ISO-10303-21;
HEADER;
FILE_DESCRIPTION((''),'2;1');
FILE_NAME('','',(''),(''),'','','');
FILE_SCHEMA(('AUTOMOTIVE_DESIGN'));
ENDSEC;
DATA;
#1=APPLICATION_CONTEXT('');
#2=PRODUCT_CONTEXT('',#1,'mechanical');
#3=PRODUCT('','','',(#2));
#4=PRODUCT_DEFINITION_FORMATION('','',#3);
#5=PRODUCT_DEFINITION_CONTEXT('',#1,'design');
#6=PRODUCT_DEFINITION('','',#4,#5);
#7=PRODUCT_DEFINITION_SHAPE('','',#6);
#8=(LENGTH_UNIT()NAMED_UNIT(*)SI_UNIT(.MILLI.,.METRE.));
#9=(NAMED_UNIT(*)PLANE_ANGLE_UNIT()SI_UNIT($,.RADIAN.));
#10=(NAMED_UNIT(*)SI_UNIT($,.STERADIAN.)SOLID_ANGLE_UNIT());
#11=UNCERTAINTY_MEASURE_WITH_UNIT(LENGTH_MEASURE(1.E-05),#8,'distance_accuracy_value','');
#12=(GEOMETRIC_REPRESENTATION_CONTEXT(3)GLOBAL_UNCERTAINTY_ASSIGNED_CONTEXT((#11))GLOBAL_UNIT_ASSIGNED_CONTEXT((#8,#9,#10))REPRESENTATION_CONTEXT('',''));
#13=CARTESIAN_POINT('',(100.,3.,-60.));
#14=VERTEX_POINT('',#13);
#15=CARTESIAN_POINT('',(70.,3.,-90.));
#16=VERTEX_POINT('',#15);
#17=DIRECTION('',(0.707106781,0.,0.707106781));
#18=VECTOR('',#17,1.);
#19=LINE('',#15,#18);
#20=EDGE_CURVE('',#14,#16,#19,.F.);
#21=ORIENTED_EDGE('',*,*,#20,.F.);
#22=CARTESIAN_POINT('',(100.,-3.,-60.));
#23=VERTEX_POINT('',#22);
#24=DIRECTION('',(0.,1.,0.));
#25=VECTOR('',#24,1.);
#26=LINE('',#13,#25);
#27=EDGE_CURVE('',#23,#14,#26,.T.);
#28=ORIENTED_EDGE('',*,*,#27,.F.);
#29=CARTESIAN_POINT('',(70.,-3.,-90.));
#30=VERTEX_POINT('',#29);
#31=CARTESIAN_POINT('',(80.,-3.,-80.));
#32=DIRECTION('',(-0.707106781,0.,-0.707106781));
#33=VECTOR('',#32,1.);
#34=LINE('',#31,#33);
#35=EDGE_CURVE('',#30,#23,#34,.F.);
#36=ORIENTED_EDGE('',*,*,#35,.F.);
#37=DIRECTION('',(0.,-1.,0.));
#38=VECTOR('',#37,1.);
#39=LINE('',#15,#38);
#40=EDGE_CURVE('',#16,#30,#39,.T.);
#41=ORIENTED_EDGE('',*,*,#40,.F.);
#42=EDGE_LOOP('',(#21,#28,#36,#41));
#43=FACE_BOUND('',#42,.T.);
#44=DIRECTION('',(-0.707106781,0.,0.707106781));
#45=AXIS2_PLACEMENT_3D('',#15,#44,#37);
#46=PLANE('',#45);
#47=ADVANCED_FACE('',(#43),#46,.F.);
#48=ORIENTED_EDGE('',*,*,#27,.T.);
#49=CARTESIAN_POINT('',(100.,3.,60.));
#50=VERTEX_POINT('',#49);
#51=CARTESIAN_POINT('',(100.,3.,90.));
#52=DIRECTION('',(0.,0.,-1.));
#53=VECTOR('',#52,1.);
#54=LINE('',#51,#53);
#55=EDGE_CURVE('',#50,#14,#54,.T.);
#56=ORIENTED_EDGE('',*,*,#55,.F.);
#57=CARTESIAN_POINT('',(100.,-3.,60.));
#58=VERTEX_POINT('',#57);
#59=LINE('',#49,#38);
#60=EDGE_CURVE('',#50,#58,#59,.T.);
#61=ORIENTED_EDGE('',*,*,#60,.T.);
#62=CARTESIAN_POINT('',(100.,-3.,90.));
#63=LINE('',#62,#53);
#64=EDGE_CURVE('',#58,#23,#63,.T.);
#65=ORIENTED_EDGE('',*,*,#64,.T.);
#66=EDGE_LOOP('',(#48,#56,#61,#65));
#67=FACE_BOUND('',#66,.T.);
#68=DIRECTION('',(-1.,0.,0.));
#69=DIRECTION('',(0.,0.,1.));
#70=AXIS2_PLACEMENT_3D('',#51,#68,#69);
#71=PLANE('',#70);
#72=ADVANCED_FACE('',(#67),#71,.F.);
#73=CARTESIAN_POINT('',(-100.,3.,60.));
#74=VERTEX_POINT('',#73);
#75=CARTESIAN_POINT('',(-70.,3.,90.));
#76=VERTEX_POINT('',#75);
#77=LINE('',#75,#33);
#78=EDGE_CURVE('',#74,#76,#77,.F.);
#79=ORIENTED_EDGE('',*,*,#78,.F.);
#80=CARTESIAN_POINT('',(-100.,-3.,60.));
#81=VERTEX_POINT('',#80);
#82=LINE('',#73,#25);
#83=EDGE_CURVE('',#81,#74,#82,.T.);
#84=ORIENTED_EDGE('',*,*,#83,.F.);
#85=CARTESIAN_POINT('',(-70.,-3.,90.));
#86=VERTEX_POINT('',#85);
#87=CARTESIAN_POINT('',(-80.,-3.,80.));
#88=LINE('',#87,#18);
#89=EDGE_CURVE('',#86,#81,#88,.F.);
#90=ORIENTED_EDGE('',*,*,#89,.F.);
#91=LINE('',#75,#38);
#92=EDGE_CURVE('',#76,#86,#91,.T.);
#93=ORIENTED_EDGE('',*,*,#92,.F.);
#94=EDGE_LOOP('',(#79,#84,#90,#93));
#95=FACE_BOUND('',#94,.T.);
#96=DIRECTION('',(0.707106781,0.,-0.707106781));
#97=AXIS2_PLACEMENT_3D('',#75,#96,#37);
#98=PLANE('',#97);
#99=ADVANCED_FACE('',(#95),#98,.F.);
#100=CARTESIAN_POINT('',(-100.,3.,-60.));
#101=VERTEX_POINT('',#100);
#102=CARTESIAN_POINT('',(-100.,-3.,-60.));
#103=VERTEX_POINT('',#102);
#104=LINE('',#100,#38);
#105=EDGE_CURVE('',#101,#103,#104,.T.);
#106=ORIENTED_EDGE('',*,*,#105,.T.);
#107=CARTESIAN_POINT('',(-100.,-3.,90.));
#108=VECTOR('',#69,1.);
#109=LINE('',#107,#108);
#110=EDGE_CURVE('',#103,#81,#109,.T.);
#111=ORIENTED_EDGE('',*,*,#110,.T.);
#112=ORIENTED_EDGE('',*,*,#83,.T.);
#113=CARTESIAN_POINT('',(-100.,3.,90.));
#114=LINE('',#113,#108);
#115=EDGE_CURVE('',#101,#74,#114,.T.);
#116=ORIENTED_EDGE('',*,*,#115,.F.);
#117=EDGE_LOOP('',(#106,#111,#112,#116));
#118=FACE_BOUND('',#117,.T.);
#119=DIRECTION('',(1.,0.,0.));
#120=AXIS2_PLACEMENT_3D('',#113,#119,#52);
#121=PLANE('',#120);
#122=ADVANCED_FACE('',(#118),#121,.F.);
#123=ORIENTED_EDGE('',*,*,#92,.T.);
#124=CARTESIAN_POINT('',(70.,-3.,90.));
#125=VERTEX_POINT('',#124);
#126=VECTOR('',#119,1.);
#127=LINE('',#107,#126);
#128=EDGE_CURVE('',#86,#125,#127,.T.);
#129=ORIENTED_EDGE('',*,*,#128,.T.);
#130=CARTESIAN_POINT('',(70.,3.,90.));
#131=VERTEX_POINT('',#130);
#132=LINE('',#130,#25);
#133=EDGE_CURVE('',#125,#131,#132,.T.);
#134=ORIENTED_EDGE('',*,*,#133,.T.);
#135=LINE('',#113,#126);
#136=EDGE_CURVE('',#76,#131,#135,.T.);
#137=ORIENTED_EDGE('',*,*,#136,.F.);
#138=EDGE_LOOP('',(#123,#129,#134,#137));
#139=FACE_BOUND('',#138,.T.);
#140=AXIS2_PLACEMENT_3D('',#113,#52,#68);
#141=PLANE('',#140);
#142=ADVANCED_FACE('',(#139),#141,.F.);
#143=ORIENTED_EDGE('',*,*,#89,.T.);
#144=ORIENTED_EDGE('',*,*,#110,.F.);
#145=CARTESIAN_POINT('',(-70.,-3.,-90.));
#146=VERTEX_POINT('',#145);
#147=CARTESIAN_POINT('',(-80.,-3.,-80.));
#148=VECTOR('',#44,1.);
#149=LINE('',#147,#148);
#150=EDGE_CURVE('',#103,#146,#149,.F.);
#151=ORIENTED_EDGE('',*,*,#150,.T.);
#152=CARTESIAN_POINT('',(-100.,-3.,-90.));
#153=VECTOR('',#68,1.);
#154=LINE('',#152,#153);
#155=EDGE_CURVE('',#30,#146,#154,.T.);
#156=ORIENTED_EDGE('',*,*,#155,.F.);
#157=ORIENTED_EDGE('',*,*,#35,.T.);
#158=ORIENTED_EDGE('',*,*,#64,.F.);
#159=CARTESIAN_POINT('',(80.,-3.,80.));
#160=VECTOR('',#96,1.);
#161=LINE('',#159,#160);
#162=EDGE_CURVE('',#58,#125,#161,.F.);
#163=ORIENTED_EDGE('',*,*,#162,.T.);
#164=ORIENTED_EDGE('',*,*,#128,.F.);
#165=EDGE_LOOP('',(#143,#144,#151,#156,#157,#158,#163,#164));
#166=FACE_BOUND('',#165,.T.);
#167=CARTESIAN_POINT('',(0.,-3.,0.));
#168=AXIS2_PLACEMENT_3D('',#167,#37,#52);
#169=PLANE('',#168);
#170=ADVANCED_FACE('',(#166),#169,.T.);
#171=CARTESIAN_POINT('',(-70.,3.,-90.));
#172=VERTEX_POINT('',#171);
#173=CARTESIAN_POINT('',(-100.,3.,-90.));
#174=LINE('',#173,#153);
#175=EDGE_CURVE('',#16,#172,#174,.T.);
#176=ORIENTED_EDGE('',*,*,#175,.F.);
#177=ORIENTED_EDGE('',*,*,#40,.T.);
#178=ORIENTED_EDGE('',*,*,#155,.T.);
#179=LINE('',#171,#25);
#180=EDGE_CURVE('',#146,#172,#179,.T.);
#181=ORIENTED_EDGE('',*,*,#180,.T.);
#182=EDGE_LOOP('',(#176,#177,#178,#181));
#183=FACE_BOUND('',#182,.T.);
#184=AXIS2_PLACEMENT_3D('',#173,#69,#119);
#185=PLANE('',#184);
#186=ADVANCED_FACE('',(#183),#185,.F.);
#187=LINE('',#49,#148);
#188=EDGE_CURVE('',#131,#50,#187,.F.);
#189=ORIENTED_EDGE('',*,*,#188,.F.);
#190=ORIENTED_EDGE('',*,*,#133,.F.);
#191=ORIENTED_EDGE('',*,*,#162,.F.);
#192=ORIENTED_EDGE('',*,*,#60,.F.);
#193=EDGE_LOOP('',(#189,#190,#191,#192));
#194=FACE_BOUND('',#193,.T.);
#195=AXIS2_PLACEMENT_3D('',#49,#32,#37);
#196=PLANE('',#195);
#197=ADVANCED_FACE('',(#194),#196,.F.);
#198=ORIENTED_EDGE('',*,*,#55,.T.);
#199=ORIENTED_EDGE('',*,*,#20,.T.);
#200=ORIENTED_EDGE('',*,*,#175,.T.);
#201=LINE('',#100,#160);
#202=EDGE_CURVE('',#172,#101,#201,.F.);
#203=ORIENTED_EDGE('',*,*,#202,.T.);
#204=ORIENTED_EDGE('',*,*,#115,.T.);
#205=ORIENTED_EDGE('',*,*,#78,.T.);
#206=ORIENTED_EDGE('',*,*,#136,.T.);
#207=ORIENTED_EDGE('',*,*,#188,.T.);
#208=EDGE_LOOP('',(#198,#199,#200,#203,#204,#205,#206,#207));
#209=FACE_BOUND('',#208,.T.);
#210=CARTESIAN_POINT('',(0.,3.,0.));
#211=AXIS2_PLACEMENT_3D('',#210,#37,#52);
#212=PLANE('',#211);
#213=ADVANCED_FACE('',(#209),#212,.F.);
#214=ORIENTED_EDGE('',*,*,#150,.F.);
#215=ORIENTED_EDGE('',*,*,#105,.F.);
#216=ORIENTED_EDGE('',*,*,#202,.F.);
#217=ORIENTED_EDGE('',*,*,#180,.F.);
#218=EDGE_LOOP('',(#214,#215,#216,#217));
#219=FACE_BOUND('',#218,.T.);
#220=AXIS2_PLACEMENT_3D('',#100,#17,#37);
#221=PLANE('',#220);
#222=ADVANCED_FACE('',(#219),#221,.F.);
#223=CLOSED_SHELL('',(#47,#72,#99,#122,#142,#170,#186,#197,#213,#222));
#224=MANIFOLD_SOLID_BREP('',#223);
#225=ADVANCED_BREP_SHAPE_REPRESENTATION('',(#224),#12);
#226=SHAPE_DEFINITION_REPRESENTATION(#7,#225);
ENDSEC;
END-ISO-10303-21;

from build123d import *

# Parameters (mm, degrees)
ESBO_O1_W                = 200
ESBO_O1_H                = 180
RESSALTO_EXTRUS_O1_DEPTH = 3
CHANFRO1_SIZE            = 30


with BuildPart() as part:
    # Esboço1 → Ressalto-extrusão1 (new, symmetric)
    with BuildSketch(Plane(origin=(0, 0, 0), x_dir=(1, 0, 0), z_dir=(0, 1, 0))):
        Rectangle(ESBO_O1_W, ESBO_O1_H)
    extrude(amount=RESSALTO_EXTRUS_O1_DEPTH, both=True)

    # Chanfro1
    chanfro1_edges = [part.edges().sort_by_distance(p)[0] for p in [
        (100, 0, 90),
        (-100, 0, 90),
        (-100, 0, -90),
        (100, 0, -90),
    ]]
    chamfer(chanfro1_edges, length=CHANFRO1_SIZE)


solid = part.part
